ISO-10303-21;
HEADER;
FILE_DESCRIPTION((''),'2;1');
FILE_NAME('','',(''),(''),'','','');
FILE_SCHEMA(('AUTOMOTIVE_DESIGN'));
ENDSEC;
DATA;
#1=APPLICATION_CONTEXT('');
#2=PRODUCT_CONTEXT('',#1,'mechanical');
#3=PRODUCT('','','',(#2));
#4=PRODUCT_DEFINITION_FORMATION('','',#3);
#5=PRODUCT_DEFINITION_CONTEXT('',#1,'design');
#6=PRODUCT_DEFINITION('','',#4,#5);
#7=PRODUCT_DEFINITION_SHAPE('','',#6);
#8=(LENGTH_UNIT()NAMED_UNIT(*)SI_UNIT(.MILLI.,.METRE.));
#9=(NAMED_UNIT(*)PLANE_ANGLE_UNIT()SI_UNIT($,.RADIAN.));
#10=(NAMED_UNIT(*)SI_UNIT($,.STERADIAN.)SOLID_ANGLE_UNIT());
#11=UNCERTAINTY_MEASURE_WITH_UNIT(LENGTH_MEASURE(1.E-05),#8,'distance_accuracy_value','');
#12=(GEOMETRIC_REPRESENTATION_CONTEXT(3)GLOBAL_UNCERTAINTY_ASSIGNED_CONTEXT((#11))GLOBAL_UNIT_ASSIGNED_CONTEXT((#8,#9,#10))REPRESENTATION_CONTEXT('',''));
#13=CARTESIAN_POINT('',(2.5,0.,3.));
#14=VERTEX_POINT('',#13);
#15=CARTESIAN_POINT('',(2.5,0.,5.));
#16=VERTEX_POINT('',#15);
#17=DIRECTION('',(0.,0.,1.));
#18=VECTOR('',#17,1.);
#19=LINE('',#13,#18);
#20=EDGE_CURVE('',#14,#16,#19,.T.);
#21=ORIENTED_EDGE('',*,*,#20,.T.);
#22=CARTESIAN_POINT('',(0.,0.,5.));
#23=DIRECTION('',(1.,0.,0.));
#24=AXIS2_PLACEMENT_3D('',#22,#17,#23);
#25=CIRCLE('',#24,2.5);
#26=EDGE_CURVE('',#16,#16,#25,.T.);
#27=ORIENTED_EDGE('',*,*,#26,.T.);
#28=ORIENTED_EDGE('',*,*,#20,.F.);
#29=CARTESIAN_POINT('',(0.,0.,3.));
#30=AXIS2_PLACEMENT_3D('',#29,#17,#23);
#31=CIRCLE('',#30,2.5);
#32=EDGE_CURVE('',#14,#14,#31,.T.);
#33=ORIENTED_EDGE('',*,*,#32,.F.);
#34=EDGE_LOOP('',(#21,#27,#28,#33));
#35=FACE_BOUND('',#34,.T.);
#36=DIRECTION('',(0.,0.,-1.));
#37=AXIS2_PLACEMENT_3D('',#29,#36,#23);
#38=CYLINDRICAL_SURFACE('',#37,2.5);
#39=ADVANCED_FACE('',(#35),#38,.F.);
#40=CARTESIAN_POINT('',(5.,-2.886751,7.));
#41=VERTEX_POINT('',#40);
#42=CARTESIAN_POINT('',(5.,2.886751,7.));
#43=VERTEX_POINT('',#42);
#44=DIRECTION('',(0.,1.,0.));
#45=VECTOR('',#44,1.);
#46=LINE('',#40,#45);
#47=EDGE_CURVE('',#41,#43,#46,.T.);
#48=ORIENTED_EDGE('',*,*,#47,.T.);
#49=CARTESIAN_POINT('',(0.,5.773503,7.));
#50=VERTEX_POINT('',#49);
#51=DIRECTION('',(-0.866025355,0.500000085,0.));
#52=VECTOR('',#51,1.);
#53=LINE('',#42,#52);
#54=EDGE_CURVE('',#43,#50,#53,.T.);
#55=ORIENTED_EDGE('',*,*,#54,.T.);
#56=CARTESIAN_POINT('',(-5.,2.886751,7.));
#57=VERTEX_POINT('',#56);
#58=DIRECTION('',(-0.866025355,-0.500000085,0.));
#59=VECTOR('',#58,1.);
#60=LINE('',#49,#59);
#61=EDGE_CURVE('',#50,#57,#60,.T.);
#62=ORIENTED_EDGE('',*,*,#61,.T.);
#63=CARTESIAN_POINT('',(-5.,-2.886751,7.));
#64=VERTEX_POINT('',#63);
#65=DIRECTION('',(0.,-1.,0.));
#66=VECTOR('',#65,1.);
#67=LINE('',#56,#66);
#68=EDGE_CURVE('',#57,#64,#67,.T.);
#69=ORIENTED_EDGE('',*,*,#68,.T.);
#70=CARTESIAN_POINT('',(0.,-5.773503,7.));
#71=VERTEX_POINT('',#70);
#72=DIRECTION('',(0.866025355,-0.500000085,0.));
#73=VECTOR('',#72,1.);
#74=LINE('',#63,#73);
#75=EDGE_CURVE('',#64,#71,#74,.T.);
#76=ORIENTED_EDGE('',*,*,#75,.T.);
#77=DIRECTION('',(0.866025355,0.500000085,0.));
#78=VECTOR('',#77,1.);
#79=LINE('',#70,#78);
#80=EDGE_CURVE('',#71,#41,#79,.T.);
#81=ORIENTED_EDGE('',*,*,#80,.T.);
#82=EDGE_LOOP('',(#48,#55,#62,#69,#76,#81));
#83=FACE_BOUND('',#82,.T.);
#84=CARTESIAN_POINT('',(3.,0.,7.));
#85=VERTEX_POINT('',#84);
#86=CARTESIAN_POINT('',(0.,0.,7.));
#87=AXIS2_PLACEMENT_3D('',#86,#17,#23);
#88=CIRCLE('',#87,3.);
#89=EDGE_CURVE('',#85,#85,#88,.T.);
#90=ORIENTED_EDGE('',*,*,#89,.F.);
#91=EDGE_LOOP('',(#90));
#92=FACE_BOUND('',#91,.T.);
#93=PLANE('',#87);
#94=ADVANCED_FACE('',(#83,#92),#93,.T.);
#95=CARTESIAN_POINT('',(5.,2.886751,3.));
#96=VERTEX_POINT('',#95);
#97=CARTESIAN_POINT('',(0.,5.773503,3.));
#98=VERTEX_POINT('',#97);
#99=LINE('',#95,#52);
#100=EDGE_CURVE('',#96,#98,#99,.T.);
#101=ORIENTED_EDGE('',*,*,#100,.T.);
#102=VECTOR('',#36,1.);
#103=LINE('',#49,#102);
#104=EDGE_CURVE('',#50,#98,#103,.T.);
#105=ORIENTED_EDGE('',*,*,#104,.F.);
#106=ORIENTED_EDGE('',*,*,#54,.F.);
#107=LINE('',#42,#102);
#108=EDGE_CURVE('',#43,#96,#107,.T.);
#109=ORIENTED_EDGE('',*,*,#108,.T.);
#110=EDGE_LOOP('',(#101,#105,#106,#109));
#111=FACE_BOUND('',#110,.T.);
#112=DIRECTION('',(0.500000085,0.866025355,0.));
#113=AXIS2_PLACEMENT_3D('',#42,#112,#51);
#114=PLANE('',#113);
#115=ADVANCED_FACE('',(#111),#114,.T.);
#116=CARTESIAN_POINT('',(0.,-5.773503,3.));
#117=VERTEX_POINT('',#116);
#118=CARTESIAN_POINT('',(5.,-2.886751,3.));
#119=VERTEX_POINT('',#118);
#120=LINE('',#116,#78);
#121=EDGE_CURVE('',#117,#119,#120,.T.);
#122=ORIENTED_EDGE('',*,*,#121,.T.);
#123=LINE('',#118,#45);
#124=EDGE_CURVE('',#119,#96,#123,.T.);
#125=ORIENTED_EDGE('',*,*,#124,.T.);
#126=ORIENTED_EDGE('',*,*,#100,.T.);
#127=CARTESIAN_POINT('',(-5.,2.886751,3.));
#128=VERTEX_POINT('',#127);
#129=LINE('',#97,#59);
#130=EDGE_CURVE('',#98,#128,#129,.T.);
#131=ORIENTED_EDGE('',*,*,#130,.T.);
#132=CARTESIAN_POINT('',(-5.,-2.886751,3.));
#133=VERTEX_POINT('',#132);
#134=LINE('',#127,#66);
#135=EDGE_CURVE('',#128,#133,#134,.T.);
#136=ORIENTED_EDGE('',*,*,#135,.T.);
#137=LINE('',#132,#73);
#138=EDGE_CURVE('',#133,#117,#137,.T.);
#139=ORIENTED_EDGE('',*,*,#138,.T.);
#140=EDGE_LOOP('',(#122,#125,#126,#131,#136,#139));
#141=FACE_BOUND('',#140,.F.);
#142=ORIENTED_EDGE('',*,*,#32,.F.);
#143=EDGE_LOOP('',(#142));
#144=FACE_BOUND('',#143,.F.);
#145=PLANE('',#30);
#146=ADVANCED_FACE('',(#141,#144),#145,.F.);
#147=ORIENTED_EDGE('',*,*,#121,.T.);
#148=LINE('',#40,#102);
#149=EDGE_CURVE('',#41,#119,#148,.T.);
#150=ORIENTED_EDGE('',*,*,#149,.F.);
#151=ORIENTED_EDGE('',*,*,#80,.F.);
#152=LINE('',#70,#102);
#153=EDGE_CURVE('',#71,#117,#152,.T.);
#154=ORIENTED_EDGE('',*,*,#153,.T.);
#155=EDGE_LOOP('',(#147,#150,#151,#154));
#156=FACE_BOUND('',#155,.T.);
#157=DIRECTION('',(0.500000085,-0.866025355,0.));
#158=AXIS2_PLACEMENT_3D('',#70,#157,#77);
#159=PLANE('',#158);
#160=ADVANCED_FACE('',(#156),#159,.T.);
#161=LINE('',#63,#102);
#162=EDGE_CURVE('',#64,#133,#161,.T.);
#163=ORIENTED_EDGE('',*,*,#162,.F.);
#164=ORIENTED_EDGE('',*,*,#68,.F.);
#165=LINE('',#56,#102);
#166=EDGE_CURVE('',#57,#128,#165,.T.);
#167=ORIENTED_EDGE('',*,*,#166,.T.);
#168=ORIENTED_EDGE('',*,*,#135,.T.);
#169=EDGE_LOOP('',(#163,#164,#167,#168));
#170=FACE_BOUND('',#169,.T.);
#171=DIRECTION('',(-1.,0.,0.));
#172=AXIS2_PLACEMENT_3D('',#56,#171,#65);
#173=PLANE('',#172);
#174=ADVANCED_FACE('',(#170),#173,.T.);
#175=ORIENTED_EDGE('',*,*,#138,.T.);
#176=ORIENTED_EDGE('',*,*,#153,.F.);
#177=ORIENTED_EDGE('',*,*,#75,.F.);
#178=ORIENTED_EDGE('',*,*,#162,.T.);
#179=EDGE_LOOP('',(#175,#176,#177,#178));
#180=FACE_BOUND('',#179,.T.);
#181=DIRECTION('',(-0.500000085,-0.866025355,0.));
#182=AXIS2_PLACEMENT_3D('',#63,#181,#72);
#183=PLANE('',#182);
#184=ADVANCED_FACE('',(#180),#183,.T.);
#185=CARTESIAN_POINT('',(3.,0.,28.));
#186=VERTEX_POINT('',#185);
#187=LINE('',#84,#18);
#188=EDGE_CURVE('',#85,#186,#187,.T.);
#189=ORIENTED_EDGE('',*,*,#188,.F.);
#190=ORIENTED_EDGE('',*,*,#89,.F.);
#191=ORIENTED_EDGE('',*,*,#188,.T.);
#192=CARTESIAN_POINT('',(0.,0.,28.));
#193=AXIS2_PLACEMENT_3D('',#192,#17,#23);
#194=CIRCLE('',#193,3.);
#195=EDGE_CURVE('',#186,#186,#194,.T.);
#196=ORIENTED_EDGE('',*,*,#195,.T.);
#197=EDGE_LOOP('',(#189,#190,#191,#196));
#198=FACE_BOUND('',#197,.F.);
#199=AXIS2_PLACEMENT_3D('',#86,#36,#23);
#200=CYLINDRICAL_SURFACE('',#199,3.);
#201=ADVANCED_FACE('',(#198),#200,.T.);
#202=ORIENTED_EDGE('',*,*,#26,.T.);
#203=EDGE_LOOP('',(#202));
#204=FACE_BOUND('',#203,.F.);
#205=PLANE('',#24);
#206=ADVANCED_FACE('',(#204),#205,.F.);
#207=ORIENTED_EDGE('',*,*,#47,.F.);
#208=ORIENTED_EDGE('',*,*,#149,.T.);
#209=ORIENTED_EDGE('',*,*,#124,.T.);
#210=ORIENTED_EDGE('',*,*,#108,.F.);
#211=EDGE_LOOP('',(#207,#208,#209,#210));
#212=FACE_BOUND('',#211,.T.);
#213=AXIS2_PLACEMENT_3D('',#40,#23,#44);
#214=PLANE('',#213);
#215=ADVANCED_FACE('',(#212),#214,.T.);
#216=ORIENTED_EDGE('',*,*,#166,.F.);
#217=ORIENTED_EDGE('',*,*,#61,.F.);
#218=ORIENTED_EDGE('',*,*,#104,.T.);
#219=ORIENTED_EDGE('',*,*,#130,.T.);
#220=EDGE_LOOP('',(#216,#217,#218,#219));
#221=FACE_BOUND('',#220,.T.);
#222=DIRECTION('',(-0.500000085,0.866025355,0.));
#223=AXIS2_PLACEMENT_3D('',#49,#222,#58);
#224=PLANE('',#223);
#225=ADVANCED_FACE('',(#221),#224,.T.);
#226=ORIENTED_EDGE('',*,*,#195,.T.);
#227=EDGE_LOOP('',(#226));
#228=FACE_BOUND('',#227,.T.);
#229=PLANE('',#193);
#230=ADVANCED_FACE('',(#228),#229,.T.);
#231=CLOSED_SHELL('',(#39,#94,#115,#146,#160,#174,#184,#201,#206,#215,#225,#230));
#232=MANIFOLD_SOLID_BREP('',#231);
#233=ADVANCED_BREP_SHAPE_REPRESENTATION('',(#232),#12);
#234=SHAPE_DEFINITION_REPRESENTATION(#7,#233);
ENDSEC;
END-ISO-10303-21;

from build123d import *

# Parameters (mm, degrees)
PAD007_DEPTH    = 4
SKETCH011_R     = 3
PAD008_DEPTH    = 21
SKETCH013_R     = 2.5
POCKET001_DEPTH = 2


with BuildPart() as part:
    # Sketch010 → Pad007 (new body)
    with BuildSketch(Plane.XY):
        Polygon((5, -2.886751), (5, 2.886751), (0, 5.773503), (-5, 2.886751), (-5, -2.886751), (0, -5.773503), align=None)
    extrude(amount=-PAD007_DEPTH)

    # Sketch011 → Pad008 (join)
    with BuildSketch(Plane.XY):
        Circle(SKETCH011_R)
    extrude(amount=PAD008_DEPTH)

    # Sketch013 → Pocket001 (cut)
    with BuildSketch(Plane.XY.offset(-4)):
        Circle(SKETCH013_R)
    extrude(amount=POCKET001_DEPTH, mode=Mode.SUBTRACT)


with BuildPart() as part_1:
    # Body007 placement: moved
    add(part.part.moved(Location((0, 0, 7))))


solid = part_1.part
